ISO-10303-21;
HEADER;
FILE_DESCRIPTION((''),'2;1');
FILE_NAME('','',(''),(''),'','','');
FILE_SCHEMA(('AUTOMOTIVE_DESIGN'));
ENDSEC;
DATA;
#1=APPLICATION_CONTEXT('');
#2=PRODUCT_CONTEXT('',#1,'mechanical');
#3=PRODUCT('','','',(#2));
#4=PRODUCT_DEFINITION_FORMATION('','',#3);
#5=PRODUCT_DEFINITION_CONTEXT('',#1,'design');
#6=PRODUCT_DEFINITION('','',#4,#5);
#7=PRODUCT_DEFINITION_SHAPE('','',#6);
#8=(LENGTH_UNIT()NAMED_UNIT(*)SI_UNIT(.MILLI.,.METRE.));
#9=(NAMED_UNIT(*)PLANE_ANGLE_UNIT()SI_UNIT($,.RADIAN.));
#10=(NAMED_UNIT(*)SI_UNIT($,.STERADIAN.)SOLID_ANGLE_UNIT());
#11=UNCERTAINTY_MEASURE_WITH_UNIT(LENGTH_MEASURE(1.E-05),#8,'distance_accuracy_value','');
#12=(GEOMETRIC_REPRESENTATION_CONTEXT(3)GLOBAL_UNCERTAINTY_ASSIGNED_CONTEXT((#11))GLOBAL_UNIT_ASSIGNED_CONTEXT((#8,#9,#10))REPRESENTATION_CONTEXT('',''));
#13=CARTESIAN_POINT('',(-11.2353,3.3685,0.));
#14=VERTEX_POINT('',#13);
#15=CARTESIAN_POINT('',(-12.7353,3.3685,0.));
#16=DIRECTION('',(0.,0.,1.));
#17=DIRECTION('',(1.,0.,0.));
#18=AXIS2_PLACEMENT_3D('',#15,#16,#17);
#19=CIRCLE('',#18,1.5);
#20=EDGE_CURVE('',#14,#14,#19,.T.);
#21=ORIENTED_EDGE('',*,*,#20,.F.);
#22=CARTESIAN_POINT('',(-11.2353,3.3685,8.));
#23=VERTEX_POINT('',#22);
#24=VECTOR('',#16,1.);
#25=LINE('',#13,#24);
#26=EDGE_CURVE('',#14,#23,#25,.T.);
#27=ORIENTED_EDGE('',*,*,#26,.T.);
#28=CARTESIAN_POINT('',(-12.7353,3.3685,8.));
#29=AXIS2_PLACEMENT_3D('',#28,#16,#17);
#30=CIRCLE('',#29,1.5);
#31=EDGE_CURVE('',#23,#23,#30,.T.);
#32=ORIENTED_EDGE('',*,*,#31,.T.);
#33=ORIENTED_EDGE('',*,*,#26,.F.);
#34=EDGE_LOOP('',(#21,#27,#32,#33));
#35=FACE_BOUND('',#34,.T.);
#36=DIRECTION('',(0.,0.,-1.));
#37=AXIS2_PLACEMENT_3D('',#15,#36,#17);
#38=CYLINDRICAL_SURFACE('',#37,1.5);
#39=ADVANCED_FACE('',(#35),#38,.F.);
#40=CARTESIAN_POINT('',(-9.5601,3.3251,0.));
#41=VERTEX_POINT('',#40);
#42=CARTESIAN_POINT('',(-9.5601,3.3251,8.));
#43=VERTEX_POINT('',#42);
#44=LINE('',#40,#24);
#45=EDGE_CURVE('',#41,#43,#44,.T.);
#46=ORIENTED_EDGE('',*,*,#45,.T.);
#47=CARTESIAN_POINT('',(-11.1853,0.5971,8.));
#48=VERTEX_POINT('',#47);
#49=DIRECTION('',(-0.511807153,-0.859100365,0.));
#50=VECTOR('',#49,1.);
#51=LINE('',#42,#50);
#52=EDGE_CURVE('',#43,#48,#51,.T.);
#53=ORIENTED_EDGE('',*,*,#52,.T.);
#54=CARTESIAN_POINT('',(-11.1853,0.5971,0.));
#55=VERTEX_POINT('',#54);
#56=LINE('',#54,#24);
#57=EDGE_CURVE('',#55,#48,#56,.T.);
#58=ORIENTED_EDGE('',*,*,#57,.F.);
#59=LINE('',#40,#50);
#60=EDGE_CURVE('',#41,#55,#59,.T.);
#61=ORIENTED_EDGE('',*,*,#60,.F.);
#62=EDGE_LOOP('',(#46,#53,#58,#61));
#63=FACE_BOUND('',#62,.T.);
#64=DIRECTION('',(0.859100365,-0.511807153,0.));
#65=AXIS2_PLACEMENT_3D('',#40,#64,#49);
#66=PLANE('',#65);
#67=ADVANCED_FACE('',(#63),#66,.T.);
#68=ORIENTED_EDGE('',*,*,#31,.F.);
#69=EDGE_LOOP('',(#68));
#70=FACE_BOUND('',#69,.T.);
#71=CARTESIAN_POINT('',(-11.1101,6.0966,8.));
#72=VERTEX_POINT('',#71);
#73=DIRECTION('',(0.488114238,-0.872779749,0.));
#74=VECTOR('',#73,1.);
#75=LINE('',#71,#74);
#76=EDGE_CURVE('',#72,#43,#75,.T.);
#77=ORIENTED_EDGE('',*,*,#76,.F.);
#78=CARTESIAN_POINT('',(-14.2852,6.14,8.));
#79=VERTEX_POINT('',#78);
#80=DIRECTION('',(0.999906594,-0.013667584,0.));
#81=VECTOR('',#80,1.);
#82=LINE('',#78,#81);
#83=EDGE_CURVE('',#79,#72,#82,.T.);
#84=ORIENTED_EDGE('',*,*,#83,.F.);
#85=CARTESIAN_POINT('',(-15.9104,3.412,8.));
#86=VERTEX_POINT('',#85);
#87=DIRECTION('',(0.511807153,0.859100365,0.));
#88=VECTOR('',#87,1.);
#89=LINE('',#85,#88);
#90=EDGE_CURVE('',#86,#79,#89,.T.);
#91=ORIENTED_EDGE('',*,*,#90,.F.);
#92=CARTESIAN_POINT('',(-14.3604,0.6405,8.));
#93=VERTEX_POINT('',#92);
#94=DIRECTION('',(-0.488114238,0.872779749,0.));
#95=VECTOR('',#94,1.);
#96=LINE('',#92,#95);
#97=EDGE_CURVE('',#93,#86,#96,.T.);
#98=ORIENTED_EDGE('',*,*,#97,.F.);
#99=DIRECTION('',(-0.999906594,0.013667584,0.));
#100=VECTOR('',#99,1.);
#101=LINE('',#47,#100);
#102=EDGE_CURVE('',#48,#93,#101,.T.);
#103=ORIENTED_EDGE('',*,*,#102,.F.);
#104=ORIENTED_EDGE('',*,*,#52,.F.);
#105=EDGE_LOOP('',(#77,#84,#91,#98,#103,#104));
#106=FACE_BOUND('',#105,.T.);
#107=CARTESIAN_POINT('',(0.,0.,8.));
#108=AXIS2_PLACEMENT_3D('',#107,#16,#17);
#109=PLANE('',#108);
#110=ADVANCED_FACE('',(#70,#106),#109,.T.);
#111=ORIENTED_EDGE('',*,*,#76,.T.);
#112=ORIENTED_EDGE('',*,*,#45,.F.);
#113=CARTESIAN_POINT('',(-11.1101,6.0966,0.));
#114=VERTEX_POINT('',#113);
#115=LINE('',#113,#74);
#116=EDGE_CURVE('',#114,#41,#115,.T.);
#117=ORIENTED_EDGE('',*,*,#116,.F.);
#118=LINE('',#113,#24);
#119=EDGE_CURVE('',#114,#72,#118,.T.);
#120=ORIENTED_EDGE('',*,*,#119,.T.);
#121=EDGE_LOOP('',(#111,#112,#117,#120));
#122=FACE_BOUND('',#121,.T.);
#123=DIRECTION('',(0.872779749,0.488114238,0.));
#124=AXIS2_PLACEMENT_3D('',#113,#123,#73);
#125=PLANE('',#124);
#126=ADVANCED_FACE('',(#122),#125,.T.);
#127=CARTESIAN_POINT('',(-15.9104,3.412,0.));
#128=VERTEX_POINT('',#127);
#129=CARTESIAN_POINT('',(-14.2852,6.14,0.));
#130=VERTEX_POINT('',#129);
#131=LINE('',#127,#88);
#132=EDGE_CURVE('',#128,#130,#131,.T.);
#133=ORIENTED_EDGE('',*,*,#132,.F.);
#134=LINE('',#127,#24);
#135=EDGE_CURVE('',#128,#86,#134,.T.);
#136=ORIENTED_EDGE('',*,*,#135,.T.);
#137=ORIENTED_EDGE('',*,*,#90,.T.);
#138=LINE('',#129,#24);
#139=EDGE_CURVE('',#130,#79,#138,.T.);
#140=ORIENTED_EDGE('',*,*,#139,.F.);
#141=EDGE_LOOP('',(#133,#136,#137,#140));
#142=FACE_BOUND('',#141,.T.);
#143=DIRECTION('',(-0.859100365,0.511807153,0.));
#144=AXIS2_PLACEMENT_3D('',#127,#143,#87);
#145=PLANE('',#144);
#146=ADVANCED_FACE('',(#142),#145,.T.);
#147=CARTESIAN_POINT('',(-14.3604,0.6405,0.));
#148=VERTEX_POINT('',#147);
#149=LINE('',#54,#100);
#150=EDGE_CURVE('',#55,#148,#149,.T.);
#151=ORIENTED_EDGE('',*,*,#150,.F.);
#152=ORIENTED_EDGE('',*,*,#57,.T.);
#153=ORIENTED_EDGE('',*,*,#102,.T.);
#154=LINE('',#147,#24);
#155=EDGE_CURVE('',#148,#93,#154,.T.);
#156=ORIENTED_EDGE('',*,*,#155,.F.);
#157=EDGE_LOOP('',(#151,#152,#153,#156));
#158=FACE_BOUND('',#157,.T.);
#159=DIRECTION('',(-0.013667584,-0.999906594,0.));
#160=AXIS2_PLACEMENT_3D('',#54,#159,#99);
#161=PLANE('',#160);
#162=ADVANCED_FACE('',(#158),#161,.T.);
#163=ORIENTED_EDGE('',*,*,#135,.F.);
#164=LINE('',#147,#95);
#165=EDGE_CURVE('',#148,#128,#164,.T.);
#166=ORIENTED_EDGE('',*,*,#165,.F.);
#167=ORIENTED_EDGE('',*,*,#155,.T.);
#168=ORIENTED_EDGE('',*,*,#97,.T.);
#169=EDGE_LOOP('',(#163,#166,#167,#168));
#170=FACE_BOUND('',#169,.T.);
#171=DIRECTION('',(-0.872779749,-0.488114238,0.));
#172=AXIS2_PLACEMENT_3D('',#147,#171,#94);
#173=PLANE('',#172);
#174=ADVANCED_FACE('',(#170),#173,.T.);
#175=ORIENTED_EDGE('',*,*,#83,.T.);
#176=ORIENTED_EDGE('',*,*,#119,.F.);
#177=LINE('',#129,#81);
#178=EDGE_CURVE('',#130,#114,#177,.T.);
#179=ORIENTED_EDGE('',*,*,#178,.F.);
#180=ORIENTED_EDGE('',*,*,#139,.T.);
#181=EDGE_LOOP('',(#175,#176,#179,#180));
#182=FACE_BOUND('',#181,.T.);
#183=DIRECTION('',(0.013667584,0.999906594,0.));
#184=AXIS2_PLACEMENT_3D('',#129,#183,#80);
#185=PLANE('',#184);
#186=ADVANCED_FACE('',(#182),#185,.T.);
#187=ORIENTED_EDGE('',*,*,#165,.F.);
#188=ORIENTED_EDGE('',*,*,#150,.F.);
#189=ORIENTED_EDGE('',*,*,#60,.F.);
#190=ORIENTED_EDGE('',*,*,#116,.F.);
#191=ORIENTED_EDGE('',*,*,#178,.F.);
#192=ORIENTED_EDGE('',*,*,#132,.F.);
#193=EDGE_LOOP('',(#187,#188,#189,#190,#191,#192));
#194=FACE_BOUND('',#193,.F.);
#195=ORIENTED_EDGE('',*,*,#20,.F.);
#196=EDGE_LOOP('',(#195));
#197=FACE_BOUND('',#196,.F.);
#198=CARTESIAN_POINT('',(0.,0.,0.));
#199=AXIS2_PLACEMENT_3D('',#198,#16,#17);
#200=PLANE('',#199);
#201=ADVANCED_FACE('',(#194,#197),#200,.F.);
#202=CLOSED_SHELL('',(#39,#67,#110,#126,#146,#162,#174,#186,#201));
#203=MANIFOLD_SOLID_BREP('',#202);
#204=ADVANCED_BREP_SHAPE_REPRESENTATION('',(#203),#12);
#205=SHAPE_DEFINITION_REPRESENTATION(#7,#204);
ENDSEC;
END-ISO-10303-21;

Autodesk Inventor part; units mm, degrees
ref_plane "YZ Plane" through (0, 0, 0) normal (1, 0, 0) x (0, 1, 0)
ref_plane "XZ Plane" through (0, 0, 0) normal (0, 1, 0) x (-1, 0, 0)
ref_plane "XY Plane" through (0, 0, 0) normal (0, 0, 1) x (1, 0, 0)
sketch "Sketch1" plane through (0, 0, 0) normal (0, 0, 1) x (1, 0, 0)
  line L0 (-11.1101, 6.0966) -> (-9.5601, 3.3251)
  line L1 (-9.5601, 3.3251) -> (-11.1853, 0.5971)
  line L2 (-11.1853, 0.5971) -> (-14.3604, 0.6405)
  line L3 (-14.3604, 0.6405) -> (-15.9104, 3.412)
  line L4 (-15.9104, 3.412) -> (-14.2852, 6.14)
  line L5 (-14.2852, 6.14) -> (-11.1101, 6.0966)
  circle A0 centre (-12.7353, 3.3685) radius 1.5
  dimension "d0" = 5.5
  dimension "d1" = 3
extrude "Extrusion1" add sketch "Sketch1" along normal blind 8
thread "Thread2" size "M3x0.5" class "6H" standard "ANSI Metric M Profile" length 3.7
thread "Thread3" size "M3x0.5" class "6H" standard "ANSI Metric M Profile" length 3.7
properties part number "Espaciador para Electrónica 5mm" material "Acetal Resin, White"
